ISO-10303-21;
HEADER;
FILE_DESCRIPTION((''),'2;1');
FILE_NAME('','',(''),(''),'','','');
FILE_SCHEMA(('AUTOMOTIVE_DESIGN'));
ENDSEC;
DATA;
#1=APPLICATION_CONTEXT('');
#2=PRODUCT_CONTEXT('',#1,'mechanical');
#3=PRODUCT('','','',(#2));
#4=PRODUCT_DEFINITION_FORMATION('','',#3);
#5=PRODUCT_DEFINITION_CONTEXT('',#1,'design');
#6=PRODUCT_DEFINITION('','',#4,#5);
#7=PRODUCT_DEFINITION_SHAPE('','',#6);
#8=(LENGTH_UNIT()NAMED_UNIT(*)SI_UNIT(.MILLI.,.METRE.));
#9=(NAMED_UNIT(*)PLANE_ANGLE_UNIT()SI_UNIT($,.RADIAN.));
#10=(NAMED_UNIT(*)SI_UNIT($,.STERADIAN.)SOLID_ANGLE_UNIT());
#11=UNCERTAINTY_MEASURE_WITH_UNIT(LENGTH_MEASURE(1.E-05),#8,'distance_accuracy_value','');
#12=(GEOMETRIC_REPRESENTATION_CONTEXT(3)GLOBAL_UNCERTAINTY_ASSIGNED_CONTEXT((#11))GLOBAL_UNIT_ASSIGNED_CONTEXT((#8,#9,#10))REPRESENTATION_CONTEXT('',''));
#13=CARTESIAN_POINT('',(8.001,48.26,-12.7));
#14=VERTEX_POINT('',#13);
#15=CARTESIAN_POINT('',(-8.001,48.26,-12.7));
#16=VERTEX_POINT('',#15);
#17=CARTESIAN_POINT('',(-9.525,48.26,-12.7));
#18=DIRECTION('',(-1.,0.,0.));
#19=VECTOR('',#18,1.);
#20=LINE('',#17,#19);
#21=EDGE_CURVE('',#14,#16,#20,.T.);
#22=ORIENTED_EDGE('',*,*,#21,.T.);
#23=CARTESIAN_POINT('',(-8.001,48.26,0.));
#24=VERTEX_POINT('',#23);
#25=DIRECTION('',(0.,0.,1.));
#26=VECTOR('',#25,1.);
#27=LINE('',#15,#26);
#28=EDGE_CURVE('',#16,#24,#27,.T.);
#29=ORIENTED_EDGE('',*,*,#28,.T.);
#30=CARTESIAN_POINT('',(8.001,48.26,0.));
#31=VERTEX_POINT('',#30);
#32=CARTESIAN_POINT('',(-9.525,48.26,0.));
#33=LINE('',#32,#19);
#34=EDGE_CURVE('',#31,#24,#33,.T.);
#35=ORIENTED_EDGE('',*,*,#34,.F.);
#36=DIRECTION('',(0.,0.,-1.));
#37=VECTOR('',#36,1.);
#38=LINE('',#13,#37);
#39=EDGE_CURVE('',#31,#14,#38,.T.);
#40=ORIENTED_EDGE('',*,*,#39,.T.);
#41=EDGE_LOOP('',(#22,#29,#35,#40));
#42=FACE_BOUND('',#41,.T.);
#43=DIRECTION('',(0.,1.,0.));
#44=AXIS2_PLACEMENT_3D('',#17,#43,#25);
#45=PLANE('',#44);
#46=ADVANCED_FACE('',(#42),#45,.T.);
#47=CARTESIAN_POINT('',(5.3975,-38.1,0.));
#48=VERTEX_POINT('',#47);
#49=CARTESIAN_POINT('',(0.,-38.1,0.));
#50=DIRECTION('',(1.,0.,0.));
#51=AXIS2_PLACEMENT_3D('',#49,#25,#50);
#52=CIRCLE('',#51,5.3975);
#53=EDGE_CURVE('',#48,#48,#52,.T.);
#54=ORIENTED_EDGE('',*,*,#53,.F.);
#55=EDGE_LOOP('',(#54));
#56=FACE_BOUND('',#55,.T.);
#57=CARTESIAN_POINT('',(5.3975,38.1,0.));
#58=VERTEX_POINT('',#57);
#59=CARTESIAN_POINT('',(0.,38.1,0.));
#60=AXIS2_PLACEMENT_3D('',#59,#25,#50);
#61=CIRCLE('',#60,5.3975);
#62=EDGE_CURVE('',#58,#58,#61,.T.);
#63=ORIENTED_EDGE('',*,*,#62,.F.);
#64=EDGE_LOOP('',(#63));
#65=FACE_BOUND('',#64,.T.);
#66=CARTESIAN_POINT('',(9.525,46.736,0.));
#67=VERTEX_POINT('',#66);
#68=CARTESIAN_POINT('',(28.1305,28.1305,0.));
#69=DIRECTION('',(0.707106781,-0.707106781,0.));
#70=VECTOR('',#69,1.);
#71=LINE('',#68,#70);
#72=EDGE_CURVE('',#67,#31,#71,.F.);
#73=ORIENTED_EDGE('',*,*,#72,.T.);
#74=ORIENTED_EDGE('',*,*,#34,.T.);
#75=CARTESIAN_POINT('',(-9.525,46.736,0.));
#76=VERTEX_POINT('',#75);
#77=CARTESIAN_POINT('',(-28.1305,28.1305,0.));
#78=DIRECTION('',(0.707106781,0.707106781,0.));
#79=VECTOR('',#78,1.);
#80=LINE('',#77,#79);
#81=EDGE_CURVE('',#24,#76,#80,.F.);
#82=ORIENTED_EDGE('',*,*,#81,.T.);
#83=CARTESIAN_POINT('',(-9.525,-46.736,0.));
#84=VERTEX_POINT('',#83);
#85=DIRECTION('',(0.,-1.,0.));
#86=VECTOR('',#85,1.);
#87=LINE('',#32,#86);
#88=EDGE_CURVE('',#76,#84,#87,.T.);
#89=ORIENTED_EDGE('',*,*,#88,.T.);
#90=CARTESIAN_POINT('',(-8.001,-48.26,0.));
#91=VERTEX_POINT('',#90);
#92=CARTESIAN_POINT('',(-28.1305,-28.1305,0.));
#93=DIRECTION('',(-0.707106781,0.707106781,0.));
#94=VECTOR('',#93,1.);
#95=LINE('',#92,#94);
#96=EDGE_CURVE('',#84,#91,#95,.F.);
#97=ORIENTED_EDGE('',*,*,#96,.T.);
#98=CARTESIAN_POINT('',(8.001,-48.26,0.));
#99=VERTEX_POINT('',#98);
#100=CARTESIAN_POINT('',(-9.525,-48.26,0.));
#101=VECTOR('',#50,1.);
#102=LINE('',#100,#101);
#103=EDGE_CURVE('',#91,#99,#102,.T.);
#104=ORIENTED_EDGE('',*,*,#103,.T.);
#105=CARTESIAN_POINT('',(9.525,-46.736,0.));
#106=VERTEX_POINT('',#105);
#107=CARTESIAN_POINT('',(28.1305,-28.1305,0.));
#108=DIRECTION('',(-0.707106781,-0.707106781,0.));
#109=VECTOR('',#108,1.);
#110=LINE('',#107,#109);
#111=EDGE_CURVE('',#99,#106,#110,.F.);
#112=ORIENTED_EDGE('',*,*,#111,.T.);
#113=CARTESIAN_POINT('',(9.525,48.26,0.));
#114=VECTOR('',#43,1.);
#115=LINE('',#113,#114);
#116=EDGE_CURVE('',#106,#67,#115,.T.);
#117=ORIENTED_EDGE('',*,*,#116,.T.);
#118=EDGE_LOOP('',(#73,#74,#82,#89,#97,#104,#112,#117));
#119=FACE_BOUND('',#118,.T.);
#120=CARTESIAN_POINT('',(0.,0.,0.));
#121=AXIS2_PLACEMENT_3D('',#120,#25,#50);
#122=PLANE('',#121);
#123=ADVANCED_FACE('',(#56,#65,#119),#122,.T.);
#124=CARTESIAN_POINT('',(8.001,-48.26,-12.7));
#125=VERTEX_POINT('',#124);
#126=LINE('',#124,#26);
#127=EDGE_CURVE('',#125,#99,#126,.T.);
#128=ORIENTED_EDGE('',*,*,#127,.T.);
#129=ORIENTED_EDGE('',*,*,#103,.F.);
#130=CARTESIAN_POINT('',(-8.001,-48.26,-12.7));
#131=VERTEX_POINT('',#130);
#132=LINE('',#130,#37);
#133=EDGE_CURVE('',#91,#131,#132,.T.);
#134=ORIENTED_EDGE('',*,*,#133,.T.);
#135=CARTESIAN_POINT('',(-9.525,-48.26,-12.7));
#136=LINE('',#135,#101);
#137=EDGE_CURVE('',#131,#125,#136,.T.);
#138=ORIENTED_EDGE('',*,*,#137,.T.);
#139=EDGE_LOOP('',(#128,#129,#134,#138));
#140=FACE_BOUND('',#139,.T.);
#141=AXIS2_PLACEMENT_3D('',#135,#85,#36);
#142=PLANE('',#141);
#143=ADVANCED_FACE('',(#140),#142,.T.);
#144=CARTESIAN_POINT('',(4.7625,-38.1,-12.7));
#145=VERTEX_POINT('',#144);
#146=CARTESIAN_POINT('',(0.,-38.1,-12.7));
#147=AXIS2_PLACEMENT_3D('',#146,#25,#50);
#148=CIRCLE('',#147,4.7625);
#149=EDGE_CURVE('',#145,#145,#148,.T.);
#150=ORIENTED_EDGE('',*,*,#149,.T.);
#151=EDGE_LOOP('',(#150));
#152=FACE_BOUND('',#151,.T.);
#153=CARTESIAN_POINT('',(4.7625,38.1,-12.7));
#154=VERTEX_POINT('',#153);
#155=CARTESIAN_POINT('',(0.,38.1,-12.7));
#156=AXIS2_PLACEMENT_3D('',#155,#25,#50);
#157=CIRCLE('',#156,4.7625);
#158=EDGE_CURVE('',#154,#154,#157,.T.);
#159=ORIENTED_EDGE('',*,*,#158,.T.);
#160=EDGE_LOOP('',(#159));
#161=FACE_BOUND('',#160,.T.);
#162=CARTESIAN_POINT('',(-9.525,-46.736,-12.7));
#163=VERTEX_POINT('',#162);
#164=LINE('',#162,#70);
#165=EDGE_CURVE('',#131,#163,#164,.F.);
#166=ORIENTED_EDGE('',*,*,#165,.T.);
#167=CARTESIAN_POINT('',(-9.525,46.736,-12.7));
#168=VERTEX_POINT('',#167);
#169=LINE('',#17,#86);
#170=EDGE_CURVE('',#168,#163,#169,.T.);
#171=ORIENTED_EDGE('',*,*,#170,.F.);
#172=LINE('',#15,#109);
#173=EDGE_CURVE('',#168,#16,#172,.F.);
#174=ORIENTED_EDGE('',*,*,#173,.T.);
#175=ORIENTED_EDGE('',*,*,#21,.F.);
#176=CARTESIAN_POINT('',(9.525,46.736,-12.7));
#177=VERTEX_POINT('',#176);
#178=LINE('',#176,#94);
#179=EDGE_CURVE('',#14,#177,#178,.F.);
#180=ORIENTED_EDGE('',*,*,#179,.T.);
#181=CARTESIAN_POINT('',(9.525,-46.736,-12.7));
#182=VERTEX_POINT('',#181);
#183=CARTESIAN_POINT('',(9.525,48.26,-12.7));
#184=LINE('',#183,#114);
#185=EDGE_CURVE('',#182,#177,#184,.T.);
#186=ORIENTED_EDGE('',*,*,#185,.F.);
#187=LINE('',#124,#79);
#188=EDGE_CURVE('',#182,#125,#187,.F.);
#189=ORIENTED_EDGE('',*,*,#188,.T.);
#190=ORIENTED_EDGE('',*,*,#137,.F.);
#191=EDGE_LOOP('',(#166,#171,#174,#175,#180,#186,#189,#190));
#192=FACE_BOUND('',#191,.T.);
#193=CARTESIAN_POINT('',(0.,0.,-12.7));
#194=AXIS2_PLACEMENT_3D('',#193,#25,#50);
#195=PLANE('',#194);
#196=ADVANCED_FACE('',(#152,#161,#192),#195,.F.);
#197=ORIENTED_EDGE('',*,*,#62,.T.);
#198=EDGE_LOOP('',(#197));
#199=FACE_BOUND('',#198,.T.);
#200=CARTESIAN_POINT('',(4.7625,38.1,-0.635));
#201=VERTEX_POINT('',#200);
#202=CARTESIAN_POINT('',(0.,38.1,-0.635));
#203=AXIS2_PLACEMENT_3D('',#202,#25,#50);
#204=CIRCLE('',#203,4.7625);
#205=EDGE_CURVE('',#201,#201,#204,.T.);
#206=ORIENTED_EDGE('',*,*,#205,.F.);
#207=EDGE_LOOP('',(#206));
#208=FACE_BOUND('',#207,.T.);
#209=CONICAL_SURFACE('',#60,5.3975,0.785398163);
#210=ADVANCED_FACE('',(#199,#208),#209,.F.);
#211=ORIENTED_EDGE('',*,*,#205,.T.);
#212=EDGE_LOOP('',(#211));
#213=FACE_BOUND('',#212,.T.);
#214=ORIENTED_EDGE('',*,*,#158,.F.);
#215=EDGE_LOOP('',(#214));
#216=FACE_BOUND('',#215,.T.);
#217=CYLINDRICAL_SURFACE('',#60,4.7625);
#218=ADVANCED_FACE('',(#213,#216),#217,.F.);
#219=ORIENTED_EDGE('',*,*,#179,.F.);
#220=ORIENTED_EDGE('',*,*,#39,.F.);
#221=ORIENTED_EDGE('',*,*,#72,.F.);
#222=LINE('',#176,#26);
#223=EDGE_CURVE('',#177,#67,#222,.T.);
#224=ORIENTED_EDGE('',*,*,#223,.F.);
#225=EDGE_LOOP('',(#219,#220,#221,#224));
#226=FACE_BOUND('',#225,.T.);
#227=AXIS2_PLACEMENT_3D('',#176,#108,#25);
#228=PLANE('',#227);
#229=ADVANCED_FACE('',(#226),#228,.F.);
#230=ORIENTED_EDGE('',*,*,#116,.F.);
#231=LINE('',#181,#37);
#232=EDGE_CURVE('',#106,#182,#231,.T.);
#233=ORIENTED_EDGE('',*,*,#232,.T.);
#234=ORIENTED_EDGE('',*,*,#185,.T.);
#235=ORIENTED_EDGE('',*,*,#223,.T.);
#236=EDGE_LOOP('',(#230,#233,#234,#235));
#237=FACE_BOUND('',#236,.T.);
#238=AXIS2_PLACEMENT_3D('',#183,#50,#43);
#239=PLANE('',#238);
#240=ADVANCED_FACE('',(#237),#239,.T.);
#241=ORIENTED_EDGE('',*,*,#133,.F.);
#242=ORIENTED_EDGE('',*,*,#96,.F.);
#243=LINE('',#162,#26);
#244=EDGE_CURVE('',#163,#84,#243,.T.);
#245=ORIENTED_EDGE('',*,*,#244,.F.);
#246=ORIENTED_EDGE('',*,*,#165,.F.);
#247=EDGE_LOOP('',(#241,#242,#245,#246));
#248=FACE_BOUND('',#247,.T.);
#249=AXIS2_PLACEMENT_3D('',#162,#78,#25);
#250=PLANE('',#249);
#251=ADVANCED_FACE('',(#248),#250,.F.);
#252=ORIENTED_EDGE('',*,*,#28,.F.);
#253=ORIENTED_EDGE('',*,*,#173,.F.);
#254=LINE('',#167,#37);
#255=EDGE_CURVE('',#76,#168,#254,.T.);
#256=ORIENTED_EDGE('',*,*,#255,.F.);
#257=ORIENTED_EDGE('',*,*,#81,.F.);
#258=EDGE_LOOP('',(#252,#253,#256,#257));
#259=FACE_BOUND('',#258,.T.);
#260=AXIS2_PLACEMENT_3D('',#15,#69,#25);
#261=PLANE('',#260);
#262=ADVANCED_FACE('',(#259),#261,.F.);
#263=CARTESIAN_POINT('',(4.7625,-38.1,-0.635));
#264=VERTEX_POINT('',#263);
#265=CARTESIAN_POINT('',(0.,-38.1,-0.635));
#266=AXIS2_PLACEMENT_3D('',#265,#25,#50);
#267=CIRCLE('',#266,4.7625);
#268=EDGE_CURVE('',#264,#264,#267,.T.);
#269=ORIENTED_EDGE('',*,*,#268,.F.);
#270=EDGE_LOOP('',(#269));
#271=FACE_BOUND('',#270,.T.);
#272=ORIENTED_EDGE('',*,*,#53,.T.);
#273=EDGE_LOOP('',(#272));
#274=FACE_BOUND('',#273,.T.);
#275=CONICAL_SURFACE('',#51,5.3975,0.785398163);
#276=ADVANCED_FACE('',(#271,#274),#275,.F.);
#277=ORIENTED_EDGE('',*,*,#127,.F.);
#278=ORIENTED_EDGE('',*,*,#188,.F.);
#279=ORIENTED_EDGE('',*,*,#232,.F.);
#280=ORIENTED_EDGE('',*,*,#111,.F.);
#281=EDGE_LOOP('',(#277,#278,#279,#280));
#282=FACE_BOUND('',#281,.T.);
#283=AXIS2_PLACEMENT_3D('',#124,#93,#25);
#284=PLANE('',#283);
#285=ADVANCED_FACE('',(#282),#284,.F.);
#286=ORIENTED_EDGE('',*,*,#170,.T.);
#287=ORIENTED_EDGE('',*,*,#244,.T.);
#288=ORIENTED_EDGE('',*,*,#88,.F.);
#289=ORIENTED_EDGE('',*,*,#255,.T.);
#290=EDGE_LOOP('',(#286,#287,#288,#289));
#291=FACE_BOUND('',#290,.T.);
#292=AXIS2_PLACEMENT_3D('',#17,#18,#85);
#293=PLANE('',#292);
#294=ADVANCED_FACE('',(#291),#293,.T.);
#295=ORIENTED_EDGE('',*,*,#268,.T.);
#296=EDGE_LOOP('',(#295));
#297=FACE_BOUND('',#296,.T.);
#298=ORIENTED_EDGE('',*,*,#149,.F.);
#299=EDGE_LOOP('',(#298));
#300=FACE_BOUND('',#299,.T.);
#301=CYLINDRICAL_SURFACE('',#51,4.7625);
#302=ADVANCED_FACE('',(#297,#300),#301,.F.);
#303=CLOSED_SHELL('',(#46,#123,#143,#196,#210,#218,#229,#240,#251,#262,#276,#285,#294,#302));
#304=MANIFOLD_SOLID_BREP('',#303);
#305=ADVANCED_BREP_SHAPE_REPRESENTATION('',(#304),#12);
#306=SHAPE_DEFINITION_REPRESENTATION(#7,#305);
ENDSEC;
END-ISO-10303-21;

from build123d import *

# Parameters (mm, degrees)
SKETCH1_W                        = 19.05
SKETCH1_H                        = 96.52
BOSS_EXTRUDE1_DEPTH              = 12.7
F_3_8_16_TAPPED_HOLE1_AT_2_COUNT = 2
F_3_8_16_TAPPED_HOLE1_AT_2_PITCH = 76.2
CHAMFER1_SIZE                    = 1.524


with BuildPart() as part:
    # Sketch1 → Boss-Extrude1 (new body)
    with BuildSketch(Plane.XY):
        Rectangle(SKETCH1_W, SKETCH1_H)
    extrude(amount=-BOSS_EXTRUDE1_DEPTH)

    # Sketch18 → 3/8-16 Tapped Hole1 (revolve, cut)
    with BuildSketch(Plane(origin=(0, -38.1, 0), x_dir=(0, -1, 0), z_dir=(1, 0, 0))):
        Polygon((0, 0), (0, 29.384865582), (3.96875, 27.0002), (3.96875, 19.05), (4.7625, 19.05), (4.7625, 0.635), (5.3975, 0), align=None)
    f_3_8_16_tapped_hole1 = revolve(axis=Axis((0, -38.1, 6.35), (0, 0, -1)), mode=Mode.SUBTRACT)

    # 3/8-16 Tapped Hole1 at 2: 3/8-16 Tapped Hole1 ×2
    with Locations(*[(0, i * F_3_8_16_TAPPED_HOLE1_AT_2_PITCH, 0) for i in range(1, F_3_8_16_TAPPED_HOLE1_AT_2_COUNT)]):
        add(f_3_8_16_tapped_hole1, mode=Mode.SUBTRACT)

    # Chamfer1
    chamfer1_edges = [part.edges().sort_by_distance(p)[0] for p in [
        (-9.525, 48.26, -6.35),
        (9.525, 48.26, -6.35),
        (9.525, -48.26, -6.35),
        (-9.525, -48.26, -6.35),
    ]]
    chamfer(chamfer1_edges, length=CHAMFER1_SIZE)


solid = part.part
